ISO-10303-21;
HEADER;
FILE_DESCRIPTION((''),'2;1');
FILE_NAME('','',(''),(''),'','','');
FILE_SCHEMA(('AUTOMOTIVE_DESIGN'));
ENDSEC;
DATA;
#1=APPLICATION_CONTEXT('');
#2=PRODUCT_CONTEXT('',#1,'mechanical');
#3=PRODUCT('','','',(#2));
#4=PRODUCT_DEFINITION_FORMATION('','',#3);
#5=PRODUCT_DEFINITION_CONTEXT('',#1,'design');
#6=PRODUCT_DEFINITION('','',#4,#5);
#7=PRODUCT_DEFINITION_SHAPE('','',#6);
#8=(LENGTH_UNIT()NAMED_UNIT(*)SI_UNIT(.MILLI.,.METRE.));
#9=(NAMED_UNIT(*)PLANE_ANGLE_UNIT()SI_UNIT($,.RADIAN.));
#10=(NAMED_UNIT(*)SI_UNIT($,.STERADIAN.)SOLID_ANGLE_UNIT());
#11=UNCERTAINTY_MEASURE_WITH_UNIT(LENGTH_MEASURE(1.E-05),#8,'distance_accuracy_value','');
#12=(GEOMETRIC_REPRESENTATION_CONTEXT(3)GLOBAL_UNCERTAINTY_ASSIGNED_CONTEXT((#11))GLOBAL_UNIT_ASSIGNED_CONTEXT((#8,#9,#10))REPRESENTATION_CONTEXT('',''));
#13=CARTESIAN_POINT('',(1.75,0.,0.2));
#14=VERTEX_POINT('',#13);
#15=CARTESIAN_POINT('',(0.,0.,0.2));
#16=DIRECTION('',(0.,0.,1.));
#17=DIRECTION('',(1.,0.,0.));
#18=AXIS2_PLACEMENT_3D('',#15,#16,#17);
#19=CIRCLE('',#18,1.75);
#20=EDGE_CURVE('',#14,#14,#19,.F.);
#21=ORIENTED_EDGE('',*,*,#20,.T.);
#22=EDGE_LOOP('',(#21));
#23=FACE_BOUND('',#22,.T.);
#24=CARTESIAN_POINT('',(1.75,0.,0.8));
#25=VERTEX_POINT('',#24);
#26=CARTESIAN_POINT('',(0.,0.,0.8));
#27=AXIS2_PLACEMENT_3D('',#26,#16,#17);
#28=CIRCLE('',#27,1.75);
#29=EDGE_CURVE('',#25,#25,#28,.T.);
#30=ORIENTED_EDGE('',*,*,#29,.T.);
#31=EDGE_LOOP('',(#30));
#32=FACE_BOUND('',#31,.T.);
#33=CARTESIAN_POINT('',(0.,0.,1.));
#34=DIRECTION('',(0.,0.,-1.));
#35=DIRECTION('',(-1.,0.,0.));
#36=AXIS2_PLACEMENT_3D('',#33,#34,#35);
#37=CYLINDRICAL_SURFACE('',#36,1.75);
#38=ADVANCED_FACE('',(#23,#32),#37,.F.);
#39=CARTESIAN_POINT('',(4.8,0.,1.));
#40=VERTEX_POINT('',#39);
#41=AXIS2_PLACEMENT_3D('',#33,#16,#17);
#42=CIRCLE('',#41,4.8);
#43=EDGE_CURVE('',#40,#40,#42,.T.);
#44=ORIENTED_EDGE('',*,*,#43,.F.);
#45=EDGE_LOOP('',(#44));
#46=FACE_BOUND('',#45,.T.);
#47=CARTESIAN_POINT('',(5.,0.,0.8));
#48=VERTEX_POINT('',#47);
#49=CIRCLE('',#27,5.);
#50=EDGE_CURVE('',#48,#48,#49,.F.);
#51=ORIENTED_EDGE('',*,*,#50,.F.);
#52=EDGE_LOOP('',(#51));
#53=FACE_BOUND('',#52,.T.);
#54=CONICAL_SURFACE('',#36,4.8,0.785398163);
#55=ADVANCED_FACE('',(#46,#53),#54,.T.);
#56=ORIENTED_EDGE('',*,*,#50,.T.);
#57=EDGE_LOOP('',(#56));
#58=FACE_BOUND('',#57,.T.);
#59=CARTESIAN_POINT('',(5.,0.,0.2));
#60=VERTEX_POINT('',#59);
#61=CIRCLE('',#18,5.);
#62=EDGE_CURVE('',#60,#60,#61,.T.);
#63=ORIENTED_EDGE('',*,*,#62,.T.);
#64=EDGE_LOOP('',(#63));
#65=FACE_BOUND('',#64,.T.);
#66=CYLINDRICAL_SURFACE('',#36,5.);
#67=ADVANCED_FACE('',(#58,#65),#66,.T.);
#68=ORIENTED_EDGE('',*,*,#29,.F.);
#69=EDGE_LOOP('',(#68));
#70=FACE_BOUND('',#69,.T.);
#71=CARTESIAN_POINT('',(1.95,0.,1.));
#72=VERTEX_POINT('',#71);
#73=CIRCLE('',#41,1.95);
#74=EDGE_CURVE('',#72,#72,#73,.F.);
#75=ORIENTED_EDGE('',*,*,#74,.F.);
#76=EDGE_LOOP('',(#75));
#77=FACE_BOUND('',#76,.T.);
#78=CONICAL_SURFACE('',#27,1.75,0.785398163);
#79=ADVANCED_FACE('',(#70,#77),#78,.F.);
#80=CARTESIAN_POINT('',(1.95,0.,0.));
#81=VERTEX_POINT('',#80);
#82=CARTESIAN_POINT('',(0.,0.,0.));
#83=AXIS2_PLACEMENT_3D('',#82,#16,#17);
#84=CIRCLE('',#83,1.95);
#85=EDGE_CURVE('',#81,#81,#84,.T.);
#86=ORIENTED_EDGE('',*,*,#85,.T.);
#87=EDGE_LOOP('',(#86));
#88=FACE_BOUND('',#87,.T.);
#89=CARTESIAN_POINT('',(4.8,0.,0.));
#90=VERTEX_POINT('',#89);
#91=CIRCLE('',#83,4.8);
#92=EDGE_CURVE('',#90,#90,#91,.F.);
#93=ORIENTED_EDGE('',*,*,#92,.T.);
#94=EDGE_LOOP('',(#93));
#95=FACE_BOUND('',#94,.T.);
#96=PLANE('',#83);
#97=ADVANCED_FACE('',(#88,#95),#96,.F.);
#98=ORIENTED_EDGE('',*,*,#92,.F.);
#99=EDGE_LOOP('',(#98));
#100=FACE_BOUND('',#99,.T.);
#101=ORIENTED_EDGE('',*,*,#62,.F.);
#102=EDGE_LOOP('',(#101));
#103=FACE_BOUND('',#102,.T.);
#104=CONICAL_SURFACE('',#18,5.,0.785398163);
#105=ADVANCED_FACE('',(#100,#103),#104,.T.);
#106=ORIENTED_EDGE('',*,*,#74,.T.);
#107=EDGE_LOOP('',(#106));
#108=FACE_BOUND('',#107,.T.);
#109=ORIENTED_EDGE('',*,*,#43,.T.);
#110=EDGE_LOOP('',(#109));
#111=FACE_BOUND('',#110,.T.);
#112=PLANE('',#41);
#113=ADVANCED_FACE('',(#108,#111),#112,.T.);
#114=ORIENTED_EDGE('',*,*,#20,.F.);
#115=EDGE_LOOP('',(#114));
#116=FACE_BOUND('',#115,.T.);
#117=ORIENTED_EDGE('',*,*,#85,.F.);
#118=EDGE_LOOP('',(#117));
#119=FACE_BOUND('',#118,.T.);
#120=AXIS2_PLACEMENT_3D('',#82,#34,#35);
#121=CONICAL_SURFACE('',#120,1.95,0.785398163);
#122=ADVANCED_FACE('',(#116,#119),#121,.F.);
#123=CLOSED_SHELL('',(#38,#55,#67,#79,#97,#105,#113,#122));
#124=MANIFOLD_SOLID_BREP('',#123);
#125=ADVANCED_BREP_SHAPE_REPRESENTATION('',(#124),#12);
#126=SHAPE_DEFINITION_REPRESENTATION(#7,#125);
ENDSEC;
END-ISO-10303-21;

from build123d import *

# Parameters (mm, degrees)
SKETCH1_R           = 5
SKETCH1_R_2         = 1.75
BOSS_EXTRUDE1_DEPTH = 1
CHAMFER1_SIZE       = 0.2


with BuildPart() as part:
    # Sketch1 → Boss-Extrude1 (new body)
    with BuildSketch(Plane.XY):
        Circle(SKETCH1_R)
        Circle(SKETCH1_R_2, mode=Mode.SUBTRACT)
    extrude(amount=BOSS_EXTRUDE1_DEPTH)

    # Chamfer1
    chamfer1_edges = [part.edges().sort_by_distance(p)[0] for p in [
        (-5, 0, 0),
        (-5, 0, 1),
        (-1.75, 0, 0),
        (-1.75, 0, 1),
    ]]
    chamfer(chamfer1_edges, length=CHAMFER1_SIZE)


solid = part.part
